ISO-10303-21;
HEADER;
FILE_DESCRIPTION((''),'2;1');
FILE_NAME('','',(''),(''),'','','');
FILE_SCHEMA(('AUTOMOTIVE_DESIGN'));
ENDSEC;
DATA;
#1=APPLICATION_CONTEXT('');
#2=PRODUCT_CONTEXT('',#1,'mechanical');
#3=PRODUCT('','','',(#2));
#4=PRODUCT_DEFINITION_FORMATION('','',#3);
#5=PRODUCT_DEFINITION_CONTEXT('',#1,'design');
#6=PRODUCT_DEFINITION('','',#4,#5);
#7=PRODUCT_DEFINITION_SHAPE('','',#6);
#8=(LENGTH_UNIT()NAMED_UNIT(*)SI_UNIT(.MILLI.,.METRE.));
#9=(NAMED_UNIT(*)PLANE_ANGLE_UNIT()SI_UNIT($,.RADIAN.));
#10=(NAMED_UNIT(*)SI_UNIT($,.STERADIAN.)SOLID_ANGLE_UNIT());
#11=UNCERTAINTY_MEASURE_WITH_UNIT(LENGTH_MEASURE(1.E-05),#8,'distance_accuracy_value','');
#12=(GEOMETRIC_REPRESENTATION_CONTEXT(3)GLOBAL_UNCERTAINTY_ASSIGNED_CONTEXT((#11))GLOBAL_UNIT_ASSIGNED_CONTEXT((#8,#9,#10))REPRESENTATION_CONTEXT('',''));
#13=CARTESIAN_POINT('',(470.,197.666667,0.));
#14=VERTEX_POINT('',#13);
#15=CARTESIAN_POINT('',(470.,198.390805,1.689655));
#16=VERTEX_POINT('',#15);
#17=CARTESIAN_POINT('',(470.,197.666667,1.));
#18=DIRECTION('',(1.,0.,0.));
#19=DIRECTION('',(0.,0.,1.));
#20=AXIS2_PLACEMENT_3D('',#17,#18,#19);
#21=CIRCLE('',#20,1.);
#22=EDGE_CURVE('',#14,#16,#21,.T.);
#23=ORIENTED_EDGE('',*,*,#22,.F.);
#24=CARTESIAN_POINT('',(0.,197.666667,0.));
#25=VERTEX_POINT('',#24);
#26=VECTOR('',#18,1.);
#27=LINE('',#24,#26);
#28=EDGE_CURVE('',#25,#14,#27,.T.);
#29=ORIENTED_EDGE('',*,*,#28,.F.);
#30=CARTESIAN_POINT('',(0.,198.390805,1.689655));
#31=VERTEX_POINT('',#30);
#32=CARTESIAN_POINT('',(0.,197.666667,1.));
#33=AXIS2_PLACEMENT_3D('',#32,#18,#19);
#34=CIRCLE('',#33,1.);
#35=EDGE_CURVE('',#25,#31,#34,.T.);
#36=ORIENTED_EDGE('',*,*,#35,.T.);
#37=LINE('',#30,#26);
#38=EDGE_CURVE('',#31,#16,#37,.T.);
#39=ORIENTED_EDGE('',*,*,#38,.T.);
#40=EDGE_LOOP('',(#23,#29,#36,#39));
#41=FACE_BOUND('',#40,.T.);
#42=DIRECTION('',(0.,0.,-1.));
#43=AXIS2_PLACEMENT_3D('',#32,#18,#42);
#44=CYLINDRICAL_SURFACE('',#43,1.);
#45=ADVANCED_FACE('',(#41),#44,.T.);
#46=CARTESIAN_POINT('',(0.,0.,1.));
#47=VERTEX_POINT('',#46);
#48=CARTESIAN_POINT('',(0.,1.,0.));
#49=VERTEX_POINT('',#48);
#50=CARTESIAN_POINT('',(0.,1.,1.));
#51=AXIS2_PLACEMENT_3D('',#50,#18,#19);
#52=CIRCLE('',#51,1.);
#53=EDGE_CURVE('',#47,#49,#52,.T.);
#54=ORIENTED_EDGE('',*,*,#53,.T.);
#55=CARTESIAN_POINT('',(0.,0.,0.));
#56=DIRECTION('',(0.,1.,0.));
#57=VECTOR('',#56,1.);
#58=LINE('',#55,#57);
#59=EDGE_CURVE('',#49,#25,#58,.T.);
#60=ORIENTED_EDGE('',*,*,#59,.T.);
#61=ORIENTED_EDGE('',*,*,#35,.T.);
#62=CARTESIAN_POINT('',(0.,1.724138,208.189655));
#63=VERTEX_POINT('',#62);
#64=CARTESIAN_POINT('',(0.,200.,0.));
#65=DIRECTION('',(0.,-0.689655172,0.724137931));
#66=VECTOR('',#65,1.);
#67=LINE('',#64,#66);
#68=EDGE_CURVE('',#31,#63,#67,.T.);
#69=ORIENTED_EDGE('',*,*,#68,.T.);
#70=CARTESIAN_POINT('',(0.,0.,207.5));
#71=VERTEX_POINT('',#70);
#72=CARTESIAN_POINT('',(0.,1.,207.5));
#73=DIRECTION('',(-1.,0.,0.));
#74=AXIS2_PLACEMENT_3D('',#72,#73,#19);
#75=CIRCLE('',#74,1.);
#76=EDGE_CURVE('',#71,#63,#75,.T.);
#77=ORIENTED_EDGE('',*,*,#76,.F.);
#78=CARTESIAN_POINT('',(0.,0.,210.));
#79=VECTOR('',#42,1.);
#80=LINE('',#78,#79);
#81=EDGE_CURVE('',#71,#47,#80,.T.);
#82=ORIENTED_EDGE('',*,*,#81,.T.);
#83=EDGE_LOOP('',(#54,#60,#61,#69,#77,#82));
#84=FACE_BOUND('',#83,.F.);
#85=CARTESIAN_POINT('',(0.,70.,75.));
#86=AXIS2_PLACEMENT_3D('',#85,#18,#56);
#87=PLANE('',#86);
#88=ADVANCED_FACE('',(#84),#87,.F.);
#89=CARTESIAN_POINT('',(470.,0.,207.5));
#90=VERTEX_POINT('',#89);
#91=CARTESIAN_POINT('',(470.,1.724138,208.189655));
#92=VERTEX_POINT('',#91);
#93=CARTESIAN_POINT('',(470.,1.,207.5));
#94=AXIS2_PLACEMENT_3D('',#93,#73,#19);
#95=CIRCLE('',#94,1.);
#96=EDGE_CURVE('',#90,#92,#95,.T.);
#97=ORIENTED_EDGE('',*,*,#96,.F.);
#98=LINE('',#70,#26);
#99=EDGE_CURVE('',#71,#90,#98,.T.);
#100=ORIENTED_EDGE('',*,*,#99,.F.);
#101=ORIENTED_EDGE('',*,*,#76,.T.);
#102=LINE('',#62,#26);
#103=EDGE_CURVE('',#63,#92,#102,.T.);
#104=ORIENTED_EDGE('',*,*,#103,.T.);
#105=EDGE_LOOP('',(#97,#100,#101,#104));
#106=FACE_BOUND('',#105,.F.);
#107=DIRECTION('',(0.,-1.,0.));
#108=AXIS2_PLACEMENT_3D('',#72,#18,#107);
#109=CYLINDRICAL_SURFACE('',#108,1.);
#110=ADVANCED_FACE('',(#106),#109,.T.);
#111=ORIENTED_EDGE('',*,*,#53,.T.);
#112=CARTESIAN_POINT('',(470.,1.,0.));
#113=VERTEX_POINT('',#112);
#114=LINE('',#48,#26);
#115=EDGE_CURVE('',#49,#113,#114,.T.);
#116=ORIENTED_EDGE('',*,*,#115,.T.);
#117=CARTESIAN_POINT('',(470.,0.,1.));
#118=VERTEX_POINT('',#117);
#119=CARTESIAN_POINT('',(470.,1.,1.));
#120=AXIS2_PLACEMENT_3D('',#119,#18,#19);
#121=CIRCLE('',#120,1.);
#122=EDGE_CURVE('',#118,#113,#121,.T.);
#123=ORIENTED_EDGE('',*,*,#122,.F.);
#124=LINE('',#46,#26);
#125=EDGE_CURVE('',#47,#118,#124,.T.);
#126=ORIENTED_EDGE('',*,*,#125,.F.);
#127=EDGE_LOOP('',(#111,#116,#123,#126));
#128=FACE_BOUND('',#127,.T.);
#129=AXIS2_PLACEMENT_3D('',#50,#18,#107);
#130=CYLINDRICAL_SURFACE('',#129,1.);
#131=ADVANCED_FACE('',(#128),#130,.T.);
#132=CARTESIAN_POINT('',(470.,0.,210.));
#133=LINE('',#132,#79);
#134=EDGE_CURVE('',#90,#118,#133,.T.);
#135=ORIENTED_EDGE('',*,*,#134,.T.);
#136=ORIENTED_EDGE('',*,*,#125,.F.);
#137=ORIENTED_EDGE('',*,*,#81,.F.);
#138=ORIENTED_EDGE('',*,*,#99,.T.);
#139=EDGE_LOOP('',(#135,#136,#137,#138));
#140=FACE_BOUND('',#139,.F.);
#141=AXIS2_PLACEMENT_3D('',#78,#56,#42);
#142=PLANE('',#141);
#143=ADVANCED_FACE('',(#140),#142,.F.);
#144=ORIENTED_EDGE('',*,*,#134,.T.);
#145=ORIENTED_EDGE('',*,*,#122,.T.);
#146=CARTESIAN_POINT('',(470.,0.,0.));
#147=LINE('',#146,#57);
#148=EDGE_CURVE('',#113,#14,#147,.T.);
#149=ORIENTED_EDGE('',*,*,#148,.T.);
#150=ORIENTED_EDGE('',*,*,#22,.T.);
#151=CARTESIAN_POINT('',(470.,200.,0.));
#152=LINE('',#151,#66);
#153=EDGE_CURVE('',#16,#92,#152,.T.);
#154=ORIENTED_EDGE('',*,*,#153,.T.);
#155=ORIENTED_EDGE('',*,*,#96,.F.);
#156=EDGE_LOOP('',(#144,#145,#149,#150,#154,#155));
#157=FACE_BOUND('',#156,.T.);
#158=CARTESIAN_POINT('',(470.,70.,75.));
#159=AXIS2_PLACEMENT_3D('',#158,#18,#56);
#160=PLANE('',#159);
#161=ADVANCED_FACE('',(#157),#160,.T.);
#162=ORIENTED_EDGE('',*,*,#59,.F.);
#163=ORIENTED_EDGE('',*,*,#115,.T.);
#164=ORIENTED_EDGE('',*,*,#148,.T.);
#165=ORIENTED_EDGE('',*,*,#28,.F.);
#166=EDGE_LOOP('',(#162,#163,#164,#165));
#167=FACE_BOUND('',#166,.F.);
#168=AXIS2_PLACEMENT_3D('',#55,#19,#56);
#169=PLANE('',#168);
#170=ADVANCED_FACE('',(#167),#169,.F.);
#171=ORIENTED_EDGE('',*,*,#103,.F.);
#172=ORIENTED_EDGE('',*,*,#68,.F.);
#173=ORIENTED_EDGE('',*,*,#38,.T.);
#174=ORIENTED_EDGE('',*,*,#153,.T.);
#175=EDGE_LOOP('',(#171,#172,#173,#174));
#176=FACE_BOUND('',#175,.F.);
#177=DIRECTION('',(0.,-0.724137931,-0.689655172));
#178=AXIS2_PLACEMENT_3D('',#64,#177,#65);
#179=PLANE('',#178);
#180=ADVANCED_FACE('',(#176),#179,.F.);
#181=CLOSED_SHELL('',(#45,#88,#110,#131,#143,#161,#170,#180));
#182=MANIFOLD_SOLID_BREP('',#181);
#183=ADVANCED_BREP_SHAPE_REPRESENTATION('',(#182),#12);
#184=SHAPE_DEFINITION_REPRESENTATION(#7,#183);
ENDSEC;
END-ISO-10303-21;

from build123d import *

# Parameters (mm, degrees)
F1_DEPTH = 470
F2_R     = 1


with BuildPart() as f1:
    # F0 (on Right) → F1 (new body)
    with BuildSketch(Plane.YZ):
        Polygon((0, 210), (0, 0), (200, 0), align=None)
    extrude(amount=F1_DEPTH)

    # F2
    f2_edges = [f1.edges().sort_by_distance(p)[0] for p in [
        (235, 0, 210),
        (235, 200, 0),
        (235, 0, 0),
    ]]
    fillet(f2_edges, radius=F2_R)


solid = f1.part
